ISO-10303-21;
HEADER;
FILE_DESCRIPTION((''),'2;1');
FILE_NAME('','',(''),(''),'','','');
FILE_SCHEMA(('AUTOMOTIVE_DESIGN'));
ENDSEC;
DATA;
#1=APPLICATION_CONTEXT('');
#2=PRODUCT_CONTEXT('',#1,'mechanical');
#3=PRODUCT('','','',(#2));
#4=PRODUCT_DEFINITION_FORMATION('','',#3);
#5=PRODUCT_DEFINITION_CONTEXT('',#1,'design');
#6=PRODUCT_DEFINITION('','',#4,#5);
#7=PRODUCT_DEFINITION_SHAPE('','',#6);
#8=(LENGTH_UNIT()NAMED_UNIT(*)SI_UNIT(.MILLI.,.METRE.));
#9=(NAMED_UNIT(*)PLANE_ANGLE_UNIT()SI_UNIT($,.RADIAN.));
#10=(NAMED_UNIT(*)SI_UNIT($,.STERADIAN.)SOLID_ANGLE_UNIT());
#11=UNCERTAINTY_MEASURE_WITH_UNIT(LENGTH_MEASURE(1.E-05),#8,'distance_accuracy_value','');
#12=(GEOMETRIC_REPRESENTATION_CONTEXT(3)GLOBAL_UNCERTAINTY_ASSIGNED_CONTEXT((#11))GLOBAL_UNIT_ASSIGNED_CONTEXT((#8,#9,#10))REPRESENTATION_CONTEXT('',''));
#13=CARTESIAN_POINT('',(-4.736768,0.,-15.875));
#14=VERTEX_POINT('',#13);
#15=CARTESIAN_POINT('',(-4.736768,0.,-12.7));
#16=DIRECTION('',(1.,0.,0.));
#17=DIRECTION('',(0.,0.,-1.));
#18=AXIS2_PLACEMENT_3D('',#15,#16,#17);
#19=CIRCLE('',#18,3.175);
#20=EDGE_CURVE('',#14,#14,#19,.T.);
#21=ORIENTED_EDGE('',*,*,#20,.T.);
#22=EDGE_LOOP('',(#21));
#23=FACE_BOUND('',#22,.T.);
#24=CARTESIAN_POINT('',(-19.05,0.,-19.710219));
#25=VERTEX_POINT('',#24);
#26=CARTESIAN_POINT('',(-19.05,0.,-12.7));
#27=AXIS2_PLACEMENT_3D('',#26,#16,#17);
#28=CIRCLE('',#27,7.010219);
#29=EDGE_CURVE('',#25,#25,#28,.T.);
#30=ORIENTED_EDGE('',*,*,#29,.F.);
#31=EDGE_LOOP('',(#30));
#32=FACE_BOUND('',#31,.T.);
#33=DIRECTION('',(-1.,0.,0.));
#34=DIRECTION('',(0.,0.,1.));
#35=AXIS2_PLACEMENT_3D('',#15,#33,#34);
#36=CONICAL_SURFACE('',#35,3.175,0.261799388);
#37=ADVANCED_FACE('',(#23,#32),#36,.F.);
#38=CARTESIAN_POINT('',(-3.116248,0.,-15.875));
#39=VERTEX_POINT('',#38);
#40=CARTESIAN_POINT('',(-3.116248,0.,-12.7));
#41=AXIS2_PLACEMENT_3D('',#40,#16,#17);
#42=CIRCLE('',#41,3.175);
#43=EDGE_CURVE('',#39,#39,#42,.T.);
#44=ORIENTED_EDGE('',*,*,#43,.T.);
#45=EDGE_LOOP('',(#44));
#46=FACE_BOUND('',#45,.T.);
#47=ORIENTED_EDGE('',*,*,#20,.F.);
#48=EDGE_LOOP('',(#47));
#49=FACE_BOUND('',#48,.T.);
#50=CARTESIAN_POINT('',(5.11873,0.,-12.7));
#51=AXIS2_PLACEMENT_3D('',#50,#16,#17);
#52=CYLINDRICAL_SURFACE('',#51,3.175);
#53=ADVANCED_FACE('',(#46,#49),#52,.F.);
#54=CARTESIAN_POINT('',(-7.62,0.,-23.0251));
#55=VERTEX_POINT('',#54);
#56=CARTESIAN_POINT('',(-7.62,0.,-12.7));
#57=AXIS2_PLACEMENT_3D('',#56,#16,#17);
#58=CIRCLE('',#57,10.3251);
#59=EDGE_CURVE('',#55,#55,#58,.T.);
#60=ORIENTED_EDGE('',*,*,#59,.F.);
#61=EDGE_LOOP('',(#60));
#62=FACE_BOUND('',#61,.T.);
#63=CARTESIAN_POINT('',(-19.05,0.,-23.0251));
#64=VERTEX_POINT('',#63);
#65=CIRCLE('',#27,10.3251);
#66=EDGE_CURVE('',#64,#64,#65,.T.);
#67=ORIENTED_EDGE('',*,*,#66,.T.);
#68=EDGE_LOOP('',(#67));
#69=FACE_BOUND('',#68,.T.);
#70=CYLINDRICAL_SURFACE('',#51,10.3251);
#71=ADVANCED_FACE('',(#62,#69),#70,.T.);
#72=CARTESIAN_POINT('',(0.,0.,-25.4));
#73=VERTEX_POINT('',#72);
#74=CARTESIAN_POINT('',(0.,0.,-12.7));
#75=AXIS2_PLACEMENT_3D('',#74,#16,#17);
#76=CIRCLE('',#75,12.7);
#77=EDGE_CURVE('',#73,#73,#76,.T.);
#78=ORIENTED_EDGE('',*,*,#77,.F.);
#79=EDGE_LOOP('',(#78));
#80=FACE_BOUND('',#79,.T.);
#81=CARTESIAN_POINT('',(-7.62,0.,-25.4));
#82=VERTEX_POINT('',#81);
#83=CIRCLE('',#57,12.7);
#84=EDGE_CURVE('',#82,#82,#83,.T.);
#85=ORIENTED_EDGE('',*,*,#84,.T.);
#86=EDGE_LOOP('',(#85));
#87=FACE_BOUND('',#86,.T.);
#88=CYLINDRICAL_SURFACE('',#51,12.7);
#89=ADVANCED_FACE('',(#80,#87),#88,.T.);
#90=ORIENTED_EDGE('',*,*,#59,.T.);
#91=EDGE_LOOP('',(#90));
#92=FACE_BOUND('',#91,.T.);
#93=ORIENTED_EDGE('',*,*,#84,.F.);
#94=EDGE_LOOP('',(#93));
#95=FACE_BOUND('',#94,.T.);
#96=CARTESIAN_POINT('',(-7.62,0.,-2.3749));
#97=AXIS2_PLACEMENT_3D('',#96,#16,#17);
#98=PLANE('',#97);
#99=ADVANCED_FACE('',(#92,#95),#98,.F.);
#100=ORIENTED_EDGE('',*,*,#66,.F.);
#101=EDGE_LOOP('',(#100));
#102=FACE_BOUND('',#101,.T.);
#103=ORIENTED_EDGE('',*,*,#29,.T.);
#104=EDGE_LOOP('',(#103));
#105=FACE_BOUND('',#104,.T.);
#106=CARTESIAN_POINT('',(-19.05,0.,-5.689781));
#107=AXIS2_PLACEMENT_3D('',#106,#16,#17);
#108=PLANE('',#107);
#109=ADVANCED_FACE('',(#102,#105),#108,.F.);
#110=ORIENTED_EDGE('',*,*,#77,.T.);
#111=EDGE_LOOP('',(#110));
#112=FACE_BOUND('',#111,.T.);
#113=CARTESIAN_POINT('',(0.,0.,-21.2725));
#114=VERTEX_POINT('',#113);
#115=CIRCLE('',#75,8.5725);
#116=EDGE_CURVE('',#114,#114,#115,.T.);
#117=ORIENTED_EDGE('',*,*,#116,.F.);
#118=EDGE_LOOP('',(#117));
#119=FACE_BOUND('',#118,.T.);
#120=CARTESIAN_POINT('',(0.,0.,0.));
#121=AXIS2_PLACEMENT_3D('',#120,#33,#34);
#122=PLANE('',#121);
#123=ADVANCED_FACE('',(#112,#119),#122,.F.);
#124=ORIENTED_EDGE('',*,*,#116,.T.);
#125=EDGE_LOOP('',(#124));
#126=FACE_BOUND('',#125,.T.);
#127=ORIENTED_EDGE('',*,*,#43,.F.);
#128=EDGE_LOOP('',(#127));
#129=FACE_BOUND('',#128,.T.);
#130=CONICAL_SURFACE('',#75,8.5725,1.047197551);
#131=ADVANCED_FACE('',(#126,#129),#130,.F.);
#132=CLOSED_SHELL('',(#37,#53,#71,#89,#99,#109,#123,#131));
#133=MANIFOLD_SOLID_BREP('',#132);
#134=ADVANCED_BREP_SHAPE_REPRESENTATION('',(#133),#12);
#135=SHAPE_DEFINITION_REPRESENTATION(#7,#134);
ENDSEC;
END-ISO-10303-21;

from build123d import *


with BuildPart() as part:
    # Sketch1 → Revolve1 (revolve)
    with BuildSketch(Plane(origin=(0, 0, 0), x_dir=(1, 0, 0), z_dir=(0, 1, 0)), mode=Mode.PRIVATE) as revolve1_sk:
        Polygon((0, 0), (0, 4.1275), (-3.116248078, 9.525), (-4.736768078, 9.525), (-19.05, 5.689781065), (-19.05, 2.3749), (-7.62, 2.3749), (-7.62, 0), align=None)
    revolve(revolve1_sk.sketch.rotate(Axis((5.118729701, 0, -12.7), (-1, 0, 0)), 180), axis=Axis((5.118729701, 0, -12.7), (-1, 0, 0)))


solid = part.part
